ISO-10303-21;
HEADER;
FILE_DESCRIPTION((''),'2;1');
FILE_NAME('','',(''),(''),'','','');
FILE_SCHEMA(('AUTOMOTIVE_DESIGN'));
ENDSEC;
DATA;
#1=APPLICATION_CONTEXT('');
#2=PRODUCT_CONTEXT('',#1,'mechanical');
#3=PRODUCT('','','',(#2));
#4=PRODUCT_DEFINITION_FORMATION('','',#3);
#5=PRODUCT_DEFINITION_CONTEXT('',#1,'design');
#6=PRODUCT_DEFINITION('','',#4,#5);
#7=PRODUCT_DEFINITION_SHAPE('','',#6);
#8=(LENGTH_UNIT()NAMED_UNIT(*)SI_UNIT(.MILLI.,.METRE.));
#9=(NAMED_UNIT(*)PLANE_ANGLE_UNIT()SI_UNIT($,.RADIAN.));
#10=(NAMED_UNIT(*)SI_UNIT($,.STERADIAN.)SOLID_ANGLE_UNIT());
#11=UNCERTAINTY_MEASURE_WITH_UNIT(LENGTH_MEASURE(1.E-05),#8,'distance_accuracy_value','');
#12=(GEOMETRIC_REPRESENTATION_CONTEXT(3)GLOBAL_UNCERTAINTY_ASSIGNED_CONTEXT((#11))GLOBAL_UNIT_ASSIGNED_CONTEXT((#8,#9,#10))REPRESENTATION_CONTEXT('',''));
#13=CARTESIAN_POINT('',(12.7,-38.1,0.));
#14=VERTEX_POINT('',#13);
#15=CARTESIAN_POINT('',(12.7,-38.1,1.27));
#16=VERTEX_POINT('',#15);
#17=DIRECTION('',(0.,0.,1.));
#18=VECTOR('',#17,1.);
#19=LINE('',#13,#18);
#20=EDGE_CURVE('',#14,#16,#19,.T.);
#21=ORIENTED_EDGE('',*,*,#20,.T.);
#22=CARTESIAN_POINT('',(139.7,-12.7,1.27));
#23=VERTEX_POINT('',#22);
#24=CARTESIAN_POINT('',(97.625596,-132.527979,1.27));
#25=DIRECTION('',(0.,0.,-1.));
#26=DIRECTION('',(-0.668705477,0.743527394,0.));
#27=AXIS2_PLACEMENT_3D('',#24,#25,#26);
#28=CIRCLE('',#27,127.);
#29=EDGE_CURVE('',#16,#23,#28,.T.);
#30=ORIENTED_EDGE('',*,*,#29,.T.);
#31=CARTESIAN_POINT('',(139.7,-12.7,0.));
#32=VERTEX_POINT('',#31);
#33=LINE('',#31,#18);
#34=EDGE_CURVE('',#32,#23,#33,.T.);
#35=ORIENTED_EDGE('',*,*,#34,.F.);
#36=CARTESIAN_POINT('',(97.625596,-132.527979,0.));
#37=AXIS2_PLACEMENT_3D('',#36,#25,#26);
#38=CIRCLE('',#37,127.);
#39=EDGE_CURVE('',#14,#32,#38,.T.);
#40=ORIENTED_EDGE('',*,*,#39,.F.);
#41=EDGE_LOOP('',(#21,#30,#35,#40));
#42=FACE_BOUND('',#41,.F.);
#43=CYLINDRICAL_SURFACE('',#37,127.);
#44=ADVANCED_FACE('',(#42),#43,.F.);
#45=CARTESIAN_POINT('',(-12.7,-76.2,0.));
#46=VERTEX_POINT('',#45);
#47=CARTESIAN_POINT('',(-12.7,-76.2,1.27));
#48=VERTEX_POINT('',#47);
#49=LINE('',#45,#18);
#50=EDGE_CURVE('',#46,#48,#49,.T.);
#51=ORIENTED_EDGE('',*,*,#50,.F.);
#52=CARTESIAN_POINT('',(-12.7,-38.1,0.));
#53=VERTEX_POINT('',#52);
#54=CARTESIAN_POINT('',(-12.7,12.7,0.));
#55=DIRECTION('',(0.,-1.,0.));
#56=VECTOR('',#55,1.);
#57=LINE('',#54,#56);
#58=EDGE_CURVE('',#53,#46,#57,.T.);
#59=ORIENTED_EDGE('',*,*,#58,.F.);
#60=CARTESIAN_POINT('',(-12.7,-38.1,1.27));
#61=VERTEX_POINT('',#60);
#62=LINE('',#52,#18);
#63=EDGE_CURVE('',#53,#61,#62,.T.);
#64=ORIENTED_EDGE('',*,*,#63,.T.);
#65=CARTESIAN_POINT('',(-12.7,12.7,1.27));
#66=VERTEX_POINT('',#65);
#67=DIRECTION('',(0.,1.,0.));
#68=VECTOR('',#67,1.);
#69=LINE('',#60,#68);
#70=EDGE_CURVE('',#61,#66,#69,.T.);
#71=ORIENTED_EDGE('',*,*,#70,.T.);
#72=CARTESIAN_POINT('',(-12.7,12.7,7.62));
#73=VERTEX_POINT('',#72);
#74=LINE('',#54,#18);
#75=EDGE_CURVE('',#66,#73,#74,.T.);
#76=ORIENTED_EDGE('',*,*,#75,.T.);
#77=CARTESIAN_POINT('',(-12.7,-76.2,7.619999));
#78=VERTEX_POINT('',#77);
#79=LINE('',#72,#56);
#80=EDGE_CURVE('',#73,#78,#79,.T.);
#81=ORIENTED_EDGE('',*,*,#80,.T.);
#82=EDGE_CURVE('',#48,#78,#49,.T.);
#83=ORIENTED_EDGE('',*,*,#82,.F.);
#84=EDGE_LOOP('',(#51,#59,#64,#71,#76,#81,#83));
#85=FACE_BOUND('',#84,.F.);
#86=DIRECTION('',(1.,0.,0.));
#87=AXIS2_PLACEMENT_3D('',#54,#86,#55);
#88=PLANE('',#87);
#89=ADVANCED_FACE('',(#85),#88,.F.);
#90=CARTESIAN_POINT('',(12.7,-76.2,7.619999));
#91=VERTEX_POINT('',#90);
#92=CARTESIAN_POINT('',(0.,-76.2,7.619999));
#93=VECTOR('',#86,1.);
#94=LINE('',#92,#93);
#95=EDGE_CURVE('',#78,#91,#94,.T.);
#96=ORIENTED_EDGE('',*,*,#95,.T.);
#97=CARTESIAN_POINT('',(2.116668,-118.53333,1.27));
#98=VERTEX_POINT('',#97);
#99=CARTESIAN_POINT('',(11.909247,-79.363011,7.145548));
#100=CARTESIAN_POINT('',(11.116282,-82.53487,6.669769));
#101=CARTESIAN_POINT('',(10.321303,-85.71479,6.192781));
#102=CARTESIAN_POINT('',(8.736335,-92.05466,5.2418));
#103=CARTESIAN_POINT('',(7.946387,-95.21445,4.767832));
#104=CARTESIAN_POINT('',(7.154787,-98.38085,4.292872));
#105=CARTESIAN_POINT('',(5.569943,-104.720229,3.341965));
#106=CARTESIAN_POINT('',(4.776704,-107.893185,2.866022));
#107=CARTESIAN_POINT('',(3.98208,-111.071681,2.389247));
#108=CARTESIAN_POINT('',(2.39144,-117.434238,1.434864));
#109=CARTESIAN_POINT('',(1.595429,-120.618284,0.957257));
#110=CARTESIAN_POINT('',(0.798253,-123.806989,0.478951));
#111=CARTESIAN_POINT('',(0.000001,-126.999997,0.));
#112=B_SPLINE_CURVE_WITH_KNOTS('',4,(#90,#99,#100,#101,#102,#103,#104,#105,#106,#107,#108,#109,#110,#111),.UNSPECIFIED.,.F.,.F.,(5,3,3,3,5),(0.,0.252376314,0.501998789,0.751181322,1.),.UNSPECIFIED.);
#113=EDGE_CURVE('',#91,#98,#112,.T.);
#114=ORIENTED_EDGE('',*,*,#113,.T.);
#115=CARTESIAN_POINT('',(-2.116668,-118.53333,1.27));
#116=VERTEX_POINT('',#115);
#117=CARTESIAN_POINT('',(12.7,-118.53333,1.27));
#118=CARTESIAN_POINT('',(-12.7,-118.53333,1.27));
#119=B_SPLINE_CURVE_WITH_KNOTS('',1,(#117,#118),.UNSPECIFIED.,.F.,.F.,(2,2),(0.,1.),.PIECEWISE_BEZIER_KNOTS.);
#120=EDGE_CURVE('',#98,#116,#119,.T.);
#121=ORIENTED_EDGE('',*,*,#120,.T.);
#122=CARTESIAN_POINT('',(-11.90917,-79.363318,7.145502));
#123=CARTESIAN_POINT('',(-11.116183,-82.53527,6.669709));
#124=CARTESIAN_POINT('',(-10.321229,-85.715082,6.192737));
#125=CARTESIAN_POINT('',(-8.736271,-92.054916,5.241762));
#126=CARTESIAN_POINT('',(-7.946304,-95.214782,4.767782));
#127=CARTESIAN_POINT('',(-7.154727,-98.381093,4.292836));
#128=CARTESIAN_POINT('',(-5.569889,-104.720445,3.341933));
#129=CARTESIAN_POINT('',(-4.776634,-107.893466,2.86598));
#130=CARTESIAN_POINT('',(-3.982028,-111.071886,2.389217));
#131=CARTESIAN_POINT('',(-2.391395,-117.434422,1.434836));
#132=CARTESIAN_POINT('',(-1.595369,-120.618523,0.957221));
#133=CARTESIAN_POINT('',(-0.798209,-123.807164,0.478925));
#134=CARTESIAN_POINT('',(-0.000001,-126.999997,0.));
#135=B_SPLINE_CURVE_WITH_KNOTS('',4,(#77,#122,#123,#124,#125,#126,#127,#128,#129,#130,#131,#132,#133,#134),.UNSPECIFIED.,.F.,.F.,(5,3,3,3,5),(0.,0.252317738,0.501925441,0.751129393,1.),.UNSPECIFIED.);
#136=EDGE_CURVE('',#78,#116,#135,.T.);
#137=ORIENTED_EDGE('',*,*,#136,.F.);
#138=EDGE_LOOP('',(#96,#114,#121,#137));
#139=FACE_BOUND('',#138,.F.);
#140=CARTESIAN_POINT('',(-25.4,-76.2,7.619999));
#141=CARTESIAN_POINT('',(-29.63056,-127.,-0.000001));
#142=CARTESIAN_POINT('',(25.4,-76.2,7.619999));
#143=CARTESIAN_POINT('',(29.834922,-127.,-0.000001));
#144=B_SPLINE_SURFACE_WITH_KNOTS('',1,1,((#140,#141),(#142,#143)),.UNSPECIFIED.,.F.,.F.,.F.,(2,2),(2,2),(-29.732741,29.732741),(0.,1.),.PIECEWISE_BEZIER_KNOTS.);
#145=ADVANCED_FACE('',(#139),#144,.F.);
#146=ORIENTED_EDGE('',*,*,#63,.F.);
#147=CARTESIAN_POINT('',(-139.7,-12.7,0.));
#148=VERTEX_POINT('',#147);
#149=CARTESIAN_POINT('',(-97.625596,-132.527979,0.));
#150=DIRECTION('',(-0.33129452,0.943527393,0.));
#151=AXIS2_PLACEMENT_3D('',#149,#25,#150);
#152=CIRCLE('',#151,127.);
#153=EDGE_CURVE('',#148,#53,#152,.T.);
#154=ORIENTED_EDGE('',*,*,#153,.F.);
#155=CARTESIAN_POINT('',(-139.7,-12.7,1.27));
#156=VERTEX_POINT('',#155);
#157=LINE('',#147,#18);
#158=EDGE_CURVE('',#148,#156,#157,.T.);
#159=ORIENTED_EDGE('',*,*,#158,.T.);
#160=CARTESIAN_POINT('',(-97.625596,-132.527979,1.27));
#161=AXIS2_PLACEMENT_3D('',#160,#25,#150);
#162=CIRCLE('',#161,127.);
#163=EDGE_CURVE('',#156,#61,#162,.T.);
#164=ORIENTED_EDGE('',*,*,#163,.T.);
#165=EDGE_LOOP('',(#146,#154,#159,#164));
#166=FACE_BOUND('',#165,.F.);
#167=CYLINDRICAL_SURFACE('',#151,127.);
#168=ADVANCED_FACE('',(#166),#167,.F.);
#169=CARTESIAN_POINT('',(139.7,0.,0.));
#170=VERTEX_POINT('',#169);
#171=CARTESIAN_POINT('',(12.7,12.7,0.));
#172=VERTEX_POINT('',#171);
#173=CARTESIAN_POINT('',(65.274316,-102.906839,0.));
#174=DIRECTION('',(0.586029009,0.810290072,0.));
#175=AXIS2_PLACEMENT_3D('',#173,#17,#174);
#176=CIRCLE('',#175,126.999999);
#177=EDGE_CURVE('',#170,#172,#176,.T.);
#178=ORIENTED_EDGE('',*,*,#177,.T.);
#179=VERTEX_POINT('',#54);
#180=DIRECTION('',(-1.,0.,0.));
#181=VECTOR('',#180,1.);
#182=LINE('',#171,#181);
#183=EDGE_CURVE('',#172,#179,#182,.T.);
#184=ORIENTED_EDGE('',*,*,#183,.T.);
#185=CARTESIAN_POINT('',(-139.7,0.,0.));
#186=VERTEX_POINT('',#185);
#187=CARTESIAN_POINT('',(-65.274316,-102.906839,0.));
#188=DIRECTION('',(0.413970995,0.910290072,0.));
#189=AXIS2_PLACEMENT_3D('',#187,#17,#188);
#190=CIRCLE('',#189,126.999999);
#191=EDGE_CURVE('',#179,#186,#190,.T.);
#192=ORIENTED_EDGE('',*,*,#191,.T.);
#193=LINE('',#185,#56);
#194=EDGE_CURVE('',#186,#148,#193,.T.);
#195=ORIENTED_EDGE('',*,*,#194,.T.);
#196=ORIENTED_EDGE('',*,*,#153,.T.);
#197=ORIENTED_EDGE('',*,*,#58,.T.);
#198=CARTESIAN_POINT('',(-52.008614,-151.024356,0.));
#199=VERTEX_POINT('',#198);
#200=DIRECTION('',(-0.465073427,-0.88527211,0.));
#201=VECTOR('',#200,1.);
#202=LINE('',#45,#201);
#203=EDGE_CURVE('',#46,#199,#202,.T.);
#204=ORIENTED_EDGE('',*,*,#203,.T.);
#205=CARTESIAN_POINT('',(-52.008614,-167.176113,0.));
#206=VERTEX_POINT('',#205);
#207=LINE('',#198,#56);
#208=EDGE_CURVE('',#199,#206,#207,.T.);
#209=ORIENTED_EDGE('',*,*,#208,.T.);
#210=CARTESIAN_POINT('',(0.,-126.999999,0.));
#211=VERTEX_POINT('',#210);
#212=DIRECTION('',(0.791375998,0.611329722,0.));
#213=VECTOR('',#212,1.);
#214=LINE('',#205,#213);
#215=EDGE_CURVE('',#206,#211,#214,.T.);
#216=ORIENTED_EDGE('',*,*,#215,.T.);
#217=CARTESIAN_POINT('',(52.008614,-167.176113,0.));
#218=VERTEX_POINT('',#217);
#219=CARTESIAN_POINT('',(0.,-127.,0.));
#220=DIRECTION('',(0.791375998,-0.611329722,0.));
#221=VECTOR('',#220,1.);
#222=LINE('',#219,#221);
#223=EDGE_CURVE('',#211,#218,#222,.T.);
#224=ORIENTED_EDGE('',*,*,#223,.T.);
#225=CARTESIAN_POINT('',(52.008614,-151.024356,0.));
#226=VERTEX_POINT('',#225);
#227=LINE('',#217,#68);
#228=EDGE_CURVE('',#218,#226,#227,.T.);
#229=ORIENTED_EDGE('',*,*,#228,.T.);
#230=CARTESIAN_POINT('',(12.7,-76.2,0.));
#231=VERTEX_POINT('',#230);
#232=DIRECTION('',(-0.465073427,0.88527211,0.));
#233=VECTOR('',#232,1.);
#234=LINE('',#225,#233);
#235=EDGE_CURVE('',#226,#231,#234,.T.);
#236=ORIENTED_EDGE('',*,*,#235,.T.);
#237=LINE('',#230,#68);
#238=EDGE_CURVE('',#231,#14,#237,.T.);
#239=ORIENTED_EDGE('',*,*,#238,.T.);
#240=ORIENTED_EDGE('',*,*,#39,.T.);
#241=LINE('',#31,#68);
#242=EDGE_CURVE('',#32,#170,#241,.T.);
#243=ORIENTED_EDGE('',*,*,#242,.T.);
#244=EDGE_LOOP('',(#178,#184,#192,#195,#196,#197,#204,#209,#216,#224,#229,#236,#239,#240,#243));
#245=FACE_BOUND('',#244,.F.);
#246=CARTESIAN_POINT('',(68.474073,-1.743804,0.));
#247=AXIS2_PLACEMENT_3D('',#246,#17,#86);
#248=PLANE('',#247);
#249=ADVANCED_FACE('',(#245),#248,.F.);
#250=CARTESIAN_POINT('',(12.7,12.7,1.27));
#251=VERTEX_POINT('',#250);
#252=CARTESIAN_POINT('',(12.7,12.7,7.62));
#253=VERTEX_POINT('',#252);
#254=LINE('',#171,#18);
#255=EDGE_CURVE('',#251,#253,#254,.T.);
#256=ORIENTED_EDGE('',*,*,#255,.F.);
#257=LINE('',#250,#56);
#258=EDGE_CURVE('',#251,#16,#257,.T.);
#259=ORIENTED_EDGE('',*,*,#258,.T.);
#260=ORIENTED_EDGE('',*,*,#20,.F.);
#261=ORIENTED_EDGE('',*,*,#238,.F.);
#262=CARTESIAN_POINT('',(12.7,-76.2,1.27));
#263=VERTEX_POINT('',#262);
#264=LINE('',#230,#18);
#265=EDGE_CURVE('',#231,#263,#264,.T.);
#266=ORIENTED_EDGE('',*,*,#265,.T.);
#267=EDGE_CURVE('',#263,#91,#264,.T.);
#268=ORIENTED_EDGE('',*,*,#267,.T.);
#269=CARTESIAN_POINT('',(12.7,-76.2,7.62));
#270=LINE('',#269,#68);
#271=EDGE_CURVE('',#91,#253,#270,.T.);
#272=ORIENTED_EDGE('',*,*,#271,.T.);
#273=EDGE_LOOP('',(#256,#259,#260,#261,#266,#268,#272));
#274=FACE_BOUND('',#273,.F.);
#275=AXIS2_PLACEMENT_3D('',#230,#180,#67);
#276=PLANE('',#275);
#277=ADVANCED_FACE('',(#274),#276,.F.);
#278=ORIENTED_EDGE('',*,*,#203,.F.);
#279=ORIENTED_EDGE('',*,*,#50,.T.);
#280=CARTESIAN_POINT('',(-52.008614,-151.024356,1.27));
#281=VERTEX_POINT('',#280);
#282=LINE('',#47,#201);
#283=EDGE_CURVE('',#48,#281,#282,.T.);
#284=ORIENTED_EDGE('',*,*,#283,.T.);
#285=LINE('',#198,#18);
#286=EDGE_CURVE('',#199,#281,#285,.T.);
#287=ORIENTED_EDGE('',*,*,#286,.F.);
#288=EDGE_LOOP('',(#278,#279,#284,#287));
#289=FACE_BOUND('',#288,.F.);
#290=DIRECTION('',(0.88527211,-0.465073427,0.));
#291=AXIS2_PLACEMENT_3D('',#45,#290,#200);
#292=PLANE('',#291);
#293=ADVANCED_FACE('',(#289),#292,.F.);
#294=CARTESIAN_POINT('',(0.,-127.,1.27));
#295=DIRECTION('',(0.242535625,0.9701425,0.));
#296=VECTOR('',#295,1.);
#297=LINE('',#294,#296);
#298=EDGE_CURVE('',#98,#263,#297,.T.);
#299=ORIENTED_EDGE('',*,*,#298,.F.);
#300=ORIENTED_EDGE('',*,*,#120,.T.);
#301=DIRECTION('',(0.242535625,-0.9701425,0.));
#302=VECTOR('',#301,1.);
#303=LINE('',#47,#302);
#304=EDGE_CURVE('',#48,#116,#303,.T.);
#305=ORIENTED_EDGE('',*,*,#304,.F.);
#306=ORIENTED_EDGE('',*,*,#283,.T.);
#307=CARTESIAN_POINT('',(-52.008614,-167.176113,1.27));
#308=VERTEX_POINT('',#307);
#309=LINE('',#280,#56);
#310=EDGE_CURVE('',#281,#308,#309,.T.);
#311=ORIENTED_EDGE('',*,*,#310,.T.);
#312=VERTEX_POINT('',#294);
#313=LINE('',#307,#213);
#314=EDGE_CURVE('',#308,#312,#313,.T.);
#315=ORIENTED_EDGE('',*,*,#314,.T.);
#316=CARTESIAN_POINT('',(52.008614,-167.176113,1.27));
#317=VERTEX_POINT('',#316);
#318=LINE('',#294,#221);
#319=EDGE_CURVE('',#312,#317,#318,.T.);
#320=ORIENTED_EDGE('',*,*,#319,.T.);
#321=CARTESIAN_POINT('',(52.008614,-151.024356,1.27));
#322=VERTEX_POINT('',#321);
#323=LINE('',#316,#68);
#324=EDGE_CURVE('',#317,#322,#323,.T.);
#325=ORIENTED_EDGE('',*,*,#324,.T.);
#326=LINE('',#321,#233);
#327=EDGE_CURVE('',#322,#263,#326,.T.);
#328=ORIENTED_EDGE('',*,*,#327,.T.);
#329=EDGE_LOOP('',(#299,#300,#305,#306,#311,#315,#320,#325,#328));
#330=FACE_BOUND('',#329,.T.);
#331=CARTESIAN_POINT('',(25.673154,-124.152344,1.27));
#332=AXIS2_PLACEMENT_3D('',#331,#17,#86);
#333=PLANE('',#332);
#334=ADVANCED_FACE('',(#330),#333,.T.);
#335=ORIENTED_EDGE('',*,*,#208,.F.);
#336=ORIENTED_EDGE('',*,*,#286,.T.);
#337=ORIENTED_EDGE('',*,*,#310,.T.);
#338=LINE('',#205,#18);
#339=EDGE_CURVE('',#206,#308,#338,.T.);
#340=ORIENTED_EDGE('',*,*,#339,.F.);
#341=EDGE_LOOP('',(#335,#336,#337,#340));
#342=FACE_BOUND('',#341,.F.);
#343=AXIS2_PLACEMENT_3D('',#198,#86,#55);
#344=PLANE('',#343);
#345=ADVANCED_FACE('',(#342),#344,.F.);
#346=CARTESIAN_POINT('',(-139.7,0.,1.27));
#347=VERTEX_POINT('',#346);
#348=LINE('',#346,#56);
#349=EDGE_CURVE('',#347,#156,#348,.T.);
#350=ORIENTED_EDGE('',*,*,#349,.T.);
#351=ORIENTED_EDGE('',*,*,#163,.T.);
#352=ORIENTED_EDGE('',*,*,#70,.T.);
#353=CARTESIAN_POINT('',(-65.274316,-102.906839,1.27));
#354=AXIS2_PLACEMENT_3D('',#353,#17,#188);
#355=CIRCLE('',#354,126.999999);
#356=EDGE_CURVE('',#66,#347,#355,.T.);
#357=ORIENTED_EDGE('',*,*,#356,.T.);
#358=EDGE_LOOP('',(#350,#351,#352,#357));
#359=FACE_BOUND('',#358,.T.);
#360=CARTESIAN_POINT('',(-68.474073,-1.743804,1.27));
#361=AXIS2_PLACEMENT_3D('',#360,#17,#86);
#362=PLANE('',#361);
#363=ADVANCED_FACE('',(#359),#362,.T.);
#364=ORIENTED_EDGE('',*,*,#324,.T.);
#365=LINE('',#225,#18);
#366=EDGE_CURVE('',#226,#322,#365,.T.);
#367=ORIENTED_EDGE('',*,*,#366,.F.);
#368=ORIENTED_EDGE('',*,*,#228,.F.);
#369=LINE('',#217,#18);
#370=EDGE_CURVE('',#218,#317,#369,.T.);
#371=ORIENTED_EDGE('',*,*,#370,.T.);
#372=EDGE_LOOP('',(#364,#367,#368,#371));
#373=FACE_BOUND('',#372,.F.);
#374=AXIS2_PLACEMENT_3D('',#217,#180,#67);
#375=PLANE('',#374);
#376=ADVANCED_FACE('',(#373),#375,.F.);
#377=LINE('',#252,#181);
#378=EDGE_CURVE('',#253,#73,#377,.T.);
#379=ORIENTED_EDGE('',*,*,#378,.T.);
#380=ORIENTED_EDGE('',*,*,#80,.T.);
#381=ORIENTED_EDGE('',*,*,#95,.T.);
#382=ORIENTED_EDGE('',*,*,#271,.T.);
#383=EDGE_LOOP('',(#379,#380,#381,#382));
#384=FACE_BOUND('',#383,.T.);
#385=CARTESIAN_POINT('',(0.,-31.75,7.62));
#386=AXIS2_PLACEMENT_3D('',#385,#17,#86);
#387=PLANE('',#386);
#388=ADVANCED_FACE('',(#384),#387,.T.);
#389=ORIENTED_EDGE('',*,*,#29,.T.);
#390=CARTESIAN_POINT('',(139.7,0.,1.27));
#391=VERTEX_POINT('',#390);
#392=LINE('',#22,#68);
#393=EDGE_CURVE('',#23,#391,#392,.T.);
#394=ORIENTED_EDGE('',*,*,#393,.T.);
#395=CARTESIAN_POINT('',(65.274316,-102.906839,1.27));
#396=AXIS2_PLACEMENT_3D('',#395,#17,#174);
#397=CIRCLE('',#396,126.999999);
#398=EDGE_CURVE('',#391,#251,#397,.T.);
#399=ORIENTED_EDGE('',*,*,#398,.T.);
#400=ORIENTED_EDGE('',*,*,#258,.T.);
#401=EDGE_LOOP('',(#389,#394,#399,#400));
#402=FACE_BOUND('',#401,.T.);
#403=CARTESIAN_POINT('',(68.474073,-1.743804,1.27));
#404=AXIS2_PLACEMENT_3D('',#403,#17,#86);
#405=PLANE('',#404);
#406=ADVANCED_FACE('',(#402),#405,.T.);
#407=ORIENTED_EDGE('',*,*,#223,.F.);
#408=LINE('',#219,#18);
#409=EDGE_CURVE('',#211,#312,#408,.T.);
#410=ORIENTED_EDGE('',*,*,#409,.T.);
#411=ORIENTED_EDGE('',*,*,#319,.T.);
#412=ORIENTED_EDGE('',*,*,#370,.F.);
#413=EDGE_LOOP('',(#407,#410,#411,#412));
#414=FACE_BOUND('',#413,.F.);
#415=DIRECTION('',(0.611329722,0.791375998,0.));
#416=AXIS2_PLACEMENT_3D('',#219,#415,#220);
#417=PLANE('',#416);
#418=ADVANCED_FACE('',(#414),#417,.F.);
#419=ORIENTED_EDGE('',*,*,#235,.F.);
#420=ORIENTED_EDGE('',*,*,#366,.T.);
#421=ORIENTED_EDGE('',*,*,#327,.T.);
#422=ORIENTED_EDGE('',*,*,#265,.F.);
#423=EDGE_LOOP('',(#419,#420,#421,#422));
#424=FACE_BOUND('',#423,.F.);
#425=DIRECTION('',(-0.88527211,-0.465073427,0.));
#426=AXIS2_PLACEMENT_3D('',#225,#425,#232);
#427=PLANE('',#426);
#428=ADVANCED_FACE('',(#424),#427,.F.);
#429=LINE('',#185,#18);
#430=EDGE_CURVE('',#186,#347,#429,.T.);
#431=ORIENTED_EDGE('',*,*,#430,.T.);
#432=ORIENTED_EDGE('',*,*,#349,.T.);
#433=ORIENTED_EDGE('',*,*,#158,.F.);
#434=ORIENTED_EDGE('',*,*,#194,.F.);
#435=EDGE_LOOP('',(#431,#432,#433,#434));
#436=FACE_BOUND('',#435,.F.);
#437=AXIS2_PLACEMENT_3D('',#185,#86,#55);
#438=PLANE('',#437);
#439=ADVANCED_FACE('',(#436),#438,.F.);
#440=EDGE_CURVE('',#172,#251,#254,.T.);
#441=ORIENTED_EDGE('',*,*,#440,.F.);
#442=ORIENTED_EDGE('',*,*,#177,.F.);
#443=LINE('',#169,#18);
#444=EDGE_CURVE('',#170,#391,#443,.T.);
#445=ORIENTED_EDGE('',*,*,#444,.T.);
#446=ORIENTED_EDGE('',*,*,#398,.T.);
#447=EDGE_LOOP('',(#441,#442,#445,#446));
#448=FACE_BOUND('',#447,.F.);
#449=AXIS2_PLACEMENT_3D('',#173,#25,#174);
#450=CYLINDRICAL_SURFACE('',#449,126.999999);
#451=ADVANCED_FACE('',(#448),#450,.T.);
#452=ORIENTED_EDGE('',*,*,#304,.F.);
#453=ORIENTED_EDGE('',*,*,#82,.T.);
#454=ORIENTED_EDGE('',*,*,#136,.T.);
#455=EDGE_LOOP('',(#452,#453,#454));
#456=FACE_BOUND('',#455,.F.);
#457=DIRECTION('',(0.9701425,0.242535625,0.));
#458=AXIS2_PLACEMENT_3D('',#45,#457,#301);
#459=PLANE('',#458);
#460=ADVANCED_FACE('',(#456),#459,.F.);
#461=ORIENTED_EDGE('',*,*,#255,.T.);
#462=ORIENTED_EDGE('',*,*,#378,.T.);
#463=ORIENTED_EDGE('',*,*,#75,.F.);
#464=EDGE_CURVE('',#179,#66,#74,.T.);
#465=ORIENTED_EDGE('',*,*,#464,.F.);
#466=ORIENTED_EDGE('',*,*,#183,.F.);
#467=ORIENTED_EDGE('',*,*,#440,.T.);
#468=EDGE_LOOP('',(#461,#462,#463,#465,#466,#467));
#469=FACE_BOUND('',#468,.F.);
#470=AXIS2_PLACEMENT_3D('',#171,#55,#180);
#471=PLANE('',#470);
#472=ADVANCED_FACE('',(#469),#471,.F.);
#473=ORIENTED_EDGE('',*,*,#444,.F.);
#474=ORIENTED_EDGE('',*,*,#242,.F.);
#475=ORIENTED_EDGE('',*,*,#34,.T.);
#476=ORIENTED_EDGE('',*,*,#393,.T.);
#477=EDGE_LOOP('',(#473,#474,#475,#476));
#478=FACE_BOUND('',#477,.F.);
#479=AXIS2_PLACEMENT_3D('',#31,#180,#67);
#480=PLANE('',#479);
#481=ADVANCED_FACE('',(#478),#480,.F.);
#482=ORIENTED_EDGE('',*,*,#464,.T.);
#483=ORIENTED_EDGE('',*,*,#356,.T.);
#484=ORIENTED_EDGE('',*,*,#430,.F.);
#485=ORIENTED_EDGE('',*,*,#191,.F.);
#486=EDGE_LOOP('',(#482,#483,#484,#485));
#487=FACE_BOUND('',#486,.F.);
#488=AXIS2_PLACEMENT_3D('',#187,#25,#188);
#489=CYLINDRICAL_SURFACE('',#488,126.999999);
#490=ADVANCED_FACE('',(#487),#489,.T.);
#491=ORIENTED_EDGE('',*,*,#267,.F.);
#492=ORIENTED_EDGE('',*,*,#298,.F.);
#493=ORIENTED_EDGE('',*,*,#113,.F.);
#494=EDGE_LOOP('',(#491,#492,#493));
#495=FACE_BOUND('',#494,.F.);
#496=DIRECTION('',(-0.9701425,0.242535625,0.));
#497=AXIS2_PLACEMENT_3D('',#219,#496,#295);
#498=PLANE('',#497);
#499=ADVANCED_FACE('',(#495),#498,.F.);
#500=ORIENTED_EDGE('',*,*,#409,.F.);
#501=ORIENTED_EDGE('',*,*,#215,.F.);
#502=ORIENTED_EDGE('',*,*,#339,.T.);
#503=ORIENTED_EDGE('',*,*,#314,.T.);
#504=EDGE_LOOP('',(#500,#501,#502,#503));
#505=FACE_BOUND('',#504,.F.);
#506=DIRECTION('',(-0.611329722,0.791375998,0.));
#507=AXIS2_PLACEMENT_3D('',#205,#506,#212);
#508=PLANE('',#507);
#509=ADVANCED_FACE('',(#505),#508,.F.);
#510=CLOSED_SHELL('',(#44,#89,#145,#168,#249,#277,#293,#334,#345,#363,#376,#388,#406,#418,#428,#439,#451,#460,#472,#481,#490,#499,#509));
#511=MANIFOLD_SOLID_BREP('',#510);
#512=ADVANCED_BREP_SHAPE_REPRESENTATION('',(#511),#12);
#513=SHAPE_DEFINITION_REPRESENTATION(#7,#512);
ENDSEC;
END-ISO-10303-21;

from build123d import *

# Parameters (mm, degrees)
F1_DEPTH = 7.62
F2_DEPTH = 1.27
F4_W     = 50.8
F4_H     = 19.067067
F6_W     = 59.465482
F6_H     = 29.439323
F9_DEPTH = 1.27


with BuildPart() as f1:
    # F0 (on Top) → F1 (new body)
    with BuildSketch(Plane.XY):
        Polygon((12.7, 12.7), (-12.7, 12.7), (-12.7, -38.1), (-12.7, -76.2), (12.7, -76.2), (12.7, -38.1), align=None)
        Polygon((12.7, -76.2), (-12.7, -76.2), (0, -127), align=None)
    extrude(amount=F1_DEPTH)

    # F0 (on Top) → F2 (join)
    with BuildSketch(Plane.XY):
        with BuildLine():
            ThreePointArc((139.7, 0), (77.911288, 23.462884), (12.7, 12.7))
            Line((12.7, 12.7), (12.7, -38.1))
            ThreePointArc((12.7, -38.1), (72.718847, -7.994233), (139.7, -12.7))
            Line((139.7, -12.7), (139.7, 0))
        make_face()
        with BuildLine():
            Line((-12.7, -38.1), (-12.7, 12.7))
            ThreePointArc((-12.7, 12.7), (-77.911288, 23.462884), (-139.7, 0))
            Line((-139.7, 0), (-139.7, -12.7))
            ThreePointArc((-139.7, -12.7), (-72.718847, -7.994233), (-12.7, -38.1))
        make_face()
    extrude(amount=F2_DEPTH)

    # F4 (on offset) → F7 section 0
    with BuildSketch(Plane.XZ.offset(76.2)):
        with Locations((0, 17.153533)):
            Rectangle(F4_W, F4_H)
    # F6 (on offset) → F7 section 1
    with BuildSketch(Plane.XZ.offset(127)):
        with Locations((0.102181, 14.719661)):
            Rectangle(F6_W, F6_H)
    loft(mode=Mode.SUBTRACT)

    # F0 (on Top) + F8 (on face) → F9 (join)
    with BuildSketch(Plane.XY):
        Polygon((12.7, -76.2), (-12.7, -76.2), (0, -127), align=None)
    with BuildSketch(Plane.XY):
        Polygon((0, -127), (-12.7, -76.2), (-52.008614, -151.024356), (-52.008614, -167.176113), align=None)
        Polygon((52.008614, -151.024356), (12.7, -76.2), (0, -127), (52.008614, -167.176113), align=None)
    extrude(amount=F9_DEPTH)


solid = f1.part
